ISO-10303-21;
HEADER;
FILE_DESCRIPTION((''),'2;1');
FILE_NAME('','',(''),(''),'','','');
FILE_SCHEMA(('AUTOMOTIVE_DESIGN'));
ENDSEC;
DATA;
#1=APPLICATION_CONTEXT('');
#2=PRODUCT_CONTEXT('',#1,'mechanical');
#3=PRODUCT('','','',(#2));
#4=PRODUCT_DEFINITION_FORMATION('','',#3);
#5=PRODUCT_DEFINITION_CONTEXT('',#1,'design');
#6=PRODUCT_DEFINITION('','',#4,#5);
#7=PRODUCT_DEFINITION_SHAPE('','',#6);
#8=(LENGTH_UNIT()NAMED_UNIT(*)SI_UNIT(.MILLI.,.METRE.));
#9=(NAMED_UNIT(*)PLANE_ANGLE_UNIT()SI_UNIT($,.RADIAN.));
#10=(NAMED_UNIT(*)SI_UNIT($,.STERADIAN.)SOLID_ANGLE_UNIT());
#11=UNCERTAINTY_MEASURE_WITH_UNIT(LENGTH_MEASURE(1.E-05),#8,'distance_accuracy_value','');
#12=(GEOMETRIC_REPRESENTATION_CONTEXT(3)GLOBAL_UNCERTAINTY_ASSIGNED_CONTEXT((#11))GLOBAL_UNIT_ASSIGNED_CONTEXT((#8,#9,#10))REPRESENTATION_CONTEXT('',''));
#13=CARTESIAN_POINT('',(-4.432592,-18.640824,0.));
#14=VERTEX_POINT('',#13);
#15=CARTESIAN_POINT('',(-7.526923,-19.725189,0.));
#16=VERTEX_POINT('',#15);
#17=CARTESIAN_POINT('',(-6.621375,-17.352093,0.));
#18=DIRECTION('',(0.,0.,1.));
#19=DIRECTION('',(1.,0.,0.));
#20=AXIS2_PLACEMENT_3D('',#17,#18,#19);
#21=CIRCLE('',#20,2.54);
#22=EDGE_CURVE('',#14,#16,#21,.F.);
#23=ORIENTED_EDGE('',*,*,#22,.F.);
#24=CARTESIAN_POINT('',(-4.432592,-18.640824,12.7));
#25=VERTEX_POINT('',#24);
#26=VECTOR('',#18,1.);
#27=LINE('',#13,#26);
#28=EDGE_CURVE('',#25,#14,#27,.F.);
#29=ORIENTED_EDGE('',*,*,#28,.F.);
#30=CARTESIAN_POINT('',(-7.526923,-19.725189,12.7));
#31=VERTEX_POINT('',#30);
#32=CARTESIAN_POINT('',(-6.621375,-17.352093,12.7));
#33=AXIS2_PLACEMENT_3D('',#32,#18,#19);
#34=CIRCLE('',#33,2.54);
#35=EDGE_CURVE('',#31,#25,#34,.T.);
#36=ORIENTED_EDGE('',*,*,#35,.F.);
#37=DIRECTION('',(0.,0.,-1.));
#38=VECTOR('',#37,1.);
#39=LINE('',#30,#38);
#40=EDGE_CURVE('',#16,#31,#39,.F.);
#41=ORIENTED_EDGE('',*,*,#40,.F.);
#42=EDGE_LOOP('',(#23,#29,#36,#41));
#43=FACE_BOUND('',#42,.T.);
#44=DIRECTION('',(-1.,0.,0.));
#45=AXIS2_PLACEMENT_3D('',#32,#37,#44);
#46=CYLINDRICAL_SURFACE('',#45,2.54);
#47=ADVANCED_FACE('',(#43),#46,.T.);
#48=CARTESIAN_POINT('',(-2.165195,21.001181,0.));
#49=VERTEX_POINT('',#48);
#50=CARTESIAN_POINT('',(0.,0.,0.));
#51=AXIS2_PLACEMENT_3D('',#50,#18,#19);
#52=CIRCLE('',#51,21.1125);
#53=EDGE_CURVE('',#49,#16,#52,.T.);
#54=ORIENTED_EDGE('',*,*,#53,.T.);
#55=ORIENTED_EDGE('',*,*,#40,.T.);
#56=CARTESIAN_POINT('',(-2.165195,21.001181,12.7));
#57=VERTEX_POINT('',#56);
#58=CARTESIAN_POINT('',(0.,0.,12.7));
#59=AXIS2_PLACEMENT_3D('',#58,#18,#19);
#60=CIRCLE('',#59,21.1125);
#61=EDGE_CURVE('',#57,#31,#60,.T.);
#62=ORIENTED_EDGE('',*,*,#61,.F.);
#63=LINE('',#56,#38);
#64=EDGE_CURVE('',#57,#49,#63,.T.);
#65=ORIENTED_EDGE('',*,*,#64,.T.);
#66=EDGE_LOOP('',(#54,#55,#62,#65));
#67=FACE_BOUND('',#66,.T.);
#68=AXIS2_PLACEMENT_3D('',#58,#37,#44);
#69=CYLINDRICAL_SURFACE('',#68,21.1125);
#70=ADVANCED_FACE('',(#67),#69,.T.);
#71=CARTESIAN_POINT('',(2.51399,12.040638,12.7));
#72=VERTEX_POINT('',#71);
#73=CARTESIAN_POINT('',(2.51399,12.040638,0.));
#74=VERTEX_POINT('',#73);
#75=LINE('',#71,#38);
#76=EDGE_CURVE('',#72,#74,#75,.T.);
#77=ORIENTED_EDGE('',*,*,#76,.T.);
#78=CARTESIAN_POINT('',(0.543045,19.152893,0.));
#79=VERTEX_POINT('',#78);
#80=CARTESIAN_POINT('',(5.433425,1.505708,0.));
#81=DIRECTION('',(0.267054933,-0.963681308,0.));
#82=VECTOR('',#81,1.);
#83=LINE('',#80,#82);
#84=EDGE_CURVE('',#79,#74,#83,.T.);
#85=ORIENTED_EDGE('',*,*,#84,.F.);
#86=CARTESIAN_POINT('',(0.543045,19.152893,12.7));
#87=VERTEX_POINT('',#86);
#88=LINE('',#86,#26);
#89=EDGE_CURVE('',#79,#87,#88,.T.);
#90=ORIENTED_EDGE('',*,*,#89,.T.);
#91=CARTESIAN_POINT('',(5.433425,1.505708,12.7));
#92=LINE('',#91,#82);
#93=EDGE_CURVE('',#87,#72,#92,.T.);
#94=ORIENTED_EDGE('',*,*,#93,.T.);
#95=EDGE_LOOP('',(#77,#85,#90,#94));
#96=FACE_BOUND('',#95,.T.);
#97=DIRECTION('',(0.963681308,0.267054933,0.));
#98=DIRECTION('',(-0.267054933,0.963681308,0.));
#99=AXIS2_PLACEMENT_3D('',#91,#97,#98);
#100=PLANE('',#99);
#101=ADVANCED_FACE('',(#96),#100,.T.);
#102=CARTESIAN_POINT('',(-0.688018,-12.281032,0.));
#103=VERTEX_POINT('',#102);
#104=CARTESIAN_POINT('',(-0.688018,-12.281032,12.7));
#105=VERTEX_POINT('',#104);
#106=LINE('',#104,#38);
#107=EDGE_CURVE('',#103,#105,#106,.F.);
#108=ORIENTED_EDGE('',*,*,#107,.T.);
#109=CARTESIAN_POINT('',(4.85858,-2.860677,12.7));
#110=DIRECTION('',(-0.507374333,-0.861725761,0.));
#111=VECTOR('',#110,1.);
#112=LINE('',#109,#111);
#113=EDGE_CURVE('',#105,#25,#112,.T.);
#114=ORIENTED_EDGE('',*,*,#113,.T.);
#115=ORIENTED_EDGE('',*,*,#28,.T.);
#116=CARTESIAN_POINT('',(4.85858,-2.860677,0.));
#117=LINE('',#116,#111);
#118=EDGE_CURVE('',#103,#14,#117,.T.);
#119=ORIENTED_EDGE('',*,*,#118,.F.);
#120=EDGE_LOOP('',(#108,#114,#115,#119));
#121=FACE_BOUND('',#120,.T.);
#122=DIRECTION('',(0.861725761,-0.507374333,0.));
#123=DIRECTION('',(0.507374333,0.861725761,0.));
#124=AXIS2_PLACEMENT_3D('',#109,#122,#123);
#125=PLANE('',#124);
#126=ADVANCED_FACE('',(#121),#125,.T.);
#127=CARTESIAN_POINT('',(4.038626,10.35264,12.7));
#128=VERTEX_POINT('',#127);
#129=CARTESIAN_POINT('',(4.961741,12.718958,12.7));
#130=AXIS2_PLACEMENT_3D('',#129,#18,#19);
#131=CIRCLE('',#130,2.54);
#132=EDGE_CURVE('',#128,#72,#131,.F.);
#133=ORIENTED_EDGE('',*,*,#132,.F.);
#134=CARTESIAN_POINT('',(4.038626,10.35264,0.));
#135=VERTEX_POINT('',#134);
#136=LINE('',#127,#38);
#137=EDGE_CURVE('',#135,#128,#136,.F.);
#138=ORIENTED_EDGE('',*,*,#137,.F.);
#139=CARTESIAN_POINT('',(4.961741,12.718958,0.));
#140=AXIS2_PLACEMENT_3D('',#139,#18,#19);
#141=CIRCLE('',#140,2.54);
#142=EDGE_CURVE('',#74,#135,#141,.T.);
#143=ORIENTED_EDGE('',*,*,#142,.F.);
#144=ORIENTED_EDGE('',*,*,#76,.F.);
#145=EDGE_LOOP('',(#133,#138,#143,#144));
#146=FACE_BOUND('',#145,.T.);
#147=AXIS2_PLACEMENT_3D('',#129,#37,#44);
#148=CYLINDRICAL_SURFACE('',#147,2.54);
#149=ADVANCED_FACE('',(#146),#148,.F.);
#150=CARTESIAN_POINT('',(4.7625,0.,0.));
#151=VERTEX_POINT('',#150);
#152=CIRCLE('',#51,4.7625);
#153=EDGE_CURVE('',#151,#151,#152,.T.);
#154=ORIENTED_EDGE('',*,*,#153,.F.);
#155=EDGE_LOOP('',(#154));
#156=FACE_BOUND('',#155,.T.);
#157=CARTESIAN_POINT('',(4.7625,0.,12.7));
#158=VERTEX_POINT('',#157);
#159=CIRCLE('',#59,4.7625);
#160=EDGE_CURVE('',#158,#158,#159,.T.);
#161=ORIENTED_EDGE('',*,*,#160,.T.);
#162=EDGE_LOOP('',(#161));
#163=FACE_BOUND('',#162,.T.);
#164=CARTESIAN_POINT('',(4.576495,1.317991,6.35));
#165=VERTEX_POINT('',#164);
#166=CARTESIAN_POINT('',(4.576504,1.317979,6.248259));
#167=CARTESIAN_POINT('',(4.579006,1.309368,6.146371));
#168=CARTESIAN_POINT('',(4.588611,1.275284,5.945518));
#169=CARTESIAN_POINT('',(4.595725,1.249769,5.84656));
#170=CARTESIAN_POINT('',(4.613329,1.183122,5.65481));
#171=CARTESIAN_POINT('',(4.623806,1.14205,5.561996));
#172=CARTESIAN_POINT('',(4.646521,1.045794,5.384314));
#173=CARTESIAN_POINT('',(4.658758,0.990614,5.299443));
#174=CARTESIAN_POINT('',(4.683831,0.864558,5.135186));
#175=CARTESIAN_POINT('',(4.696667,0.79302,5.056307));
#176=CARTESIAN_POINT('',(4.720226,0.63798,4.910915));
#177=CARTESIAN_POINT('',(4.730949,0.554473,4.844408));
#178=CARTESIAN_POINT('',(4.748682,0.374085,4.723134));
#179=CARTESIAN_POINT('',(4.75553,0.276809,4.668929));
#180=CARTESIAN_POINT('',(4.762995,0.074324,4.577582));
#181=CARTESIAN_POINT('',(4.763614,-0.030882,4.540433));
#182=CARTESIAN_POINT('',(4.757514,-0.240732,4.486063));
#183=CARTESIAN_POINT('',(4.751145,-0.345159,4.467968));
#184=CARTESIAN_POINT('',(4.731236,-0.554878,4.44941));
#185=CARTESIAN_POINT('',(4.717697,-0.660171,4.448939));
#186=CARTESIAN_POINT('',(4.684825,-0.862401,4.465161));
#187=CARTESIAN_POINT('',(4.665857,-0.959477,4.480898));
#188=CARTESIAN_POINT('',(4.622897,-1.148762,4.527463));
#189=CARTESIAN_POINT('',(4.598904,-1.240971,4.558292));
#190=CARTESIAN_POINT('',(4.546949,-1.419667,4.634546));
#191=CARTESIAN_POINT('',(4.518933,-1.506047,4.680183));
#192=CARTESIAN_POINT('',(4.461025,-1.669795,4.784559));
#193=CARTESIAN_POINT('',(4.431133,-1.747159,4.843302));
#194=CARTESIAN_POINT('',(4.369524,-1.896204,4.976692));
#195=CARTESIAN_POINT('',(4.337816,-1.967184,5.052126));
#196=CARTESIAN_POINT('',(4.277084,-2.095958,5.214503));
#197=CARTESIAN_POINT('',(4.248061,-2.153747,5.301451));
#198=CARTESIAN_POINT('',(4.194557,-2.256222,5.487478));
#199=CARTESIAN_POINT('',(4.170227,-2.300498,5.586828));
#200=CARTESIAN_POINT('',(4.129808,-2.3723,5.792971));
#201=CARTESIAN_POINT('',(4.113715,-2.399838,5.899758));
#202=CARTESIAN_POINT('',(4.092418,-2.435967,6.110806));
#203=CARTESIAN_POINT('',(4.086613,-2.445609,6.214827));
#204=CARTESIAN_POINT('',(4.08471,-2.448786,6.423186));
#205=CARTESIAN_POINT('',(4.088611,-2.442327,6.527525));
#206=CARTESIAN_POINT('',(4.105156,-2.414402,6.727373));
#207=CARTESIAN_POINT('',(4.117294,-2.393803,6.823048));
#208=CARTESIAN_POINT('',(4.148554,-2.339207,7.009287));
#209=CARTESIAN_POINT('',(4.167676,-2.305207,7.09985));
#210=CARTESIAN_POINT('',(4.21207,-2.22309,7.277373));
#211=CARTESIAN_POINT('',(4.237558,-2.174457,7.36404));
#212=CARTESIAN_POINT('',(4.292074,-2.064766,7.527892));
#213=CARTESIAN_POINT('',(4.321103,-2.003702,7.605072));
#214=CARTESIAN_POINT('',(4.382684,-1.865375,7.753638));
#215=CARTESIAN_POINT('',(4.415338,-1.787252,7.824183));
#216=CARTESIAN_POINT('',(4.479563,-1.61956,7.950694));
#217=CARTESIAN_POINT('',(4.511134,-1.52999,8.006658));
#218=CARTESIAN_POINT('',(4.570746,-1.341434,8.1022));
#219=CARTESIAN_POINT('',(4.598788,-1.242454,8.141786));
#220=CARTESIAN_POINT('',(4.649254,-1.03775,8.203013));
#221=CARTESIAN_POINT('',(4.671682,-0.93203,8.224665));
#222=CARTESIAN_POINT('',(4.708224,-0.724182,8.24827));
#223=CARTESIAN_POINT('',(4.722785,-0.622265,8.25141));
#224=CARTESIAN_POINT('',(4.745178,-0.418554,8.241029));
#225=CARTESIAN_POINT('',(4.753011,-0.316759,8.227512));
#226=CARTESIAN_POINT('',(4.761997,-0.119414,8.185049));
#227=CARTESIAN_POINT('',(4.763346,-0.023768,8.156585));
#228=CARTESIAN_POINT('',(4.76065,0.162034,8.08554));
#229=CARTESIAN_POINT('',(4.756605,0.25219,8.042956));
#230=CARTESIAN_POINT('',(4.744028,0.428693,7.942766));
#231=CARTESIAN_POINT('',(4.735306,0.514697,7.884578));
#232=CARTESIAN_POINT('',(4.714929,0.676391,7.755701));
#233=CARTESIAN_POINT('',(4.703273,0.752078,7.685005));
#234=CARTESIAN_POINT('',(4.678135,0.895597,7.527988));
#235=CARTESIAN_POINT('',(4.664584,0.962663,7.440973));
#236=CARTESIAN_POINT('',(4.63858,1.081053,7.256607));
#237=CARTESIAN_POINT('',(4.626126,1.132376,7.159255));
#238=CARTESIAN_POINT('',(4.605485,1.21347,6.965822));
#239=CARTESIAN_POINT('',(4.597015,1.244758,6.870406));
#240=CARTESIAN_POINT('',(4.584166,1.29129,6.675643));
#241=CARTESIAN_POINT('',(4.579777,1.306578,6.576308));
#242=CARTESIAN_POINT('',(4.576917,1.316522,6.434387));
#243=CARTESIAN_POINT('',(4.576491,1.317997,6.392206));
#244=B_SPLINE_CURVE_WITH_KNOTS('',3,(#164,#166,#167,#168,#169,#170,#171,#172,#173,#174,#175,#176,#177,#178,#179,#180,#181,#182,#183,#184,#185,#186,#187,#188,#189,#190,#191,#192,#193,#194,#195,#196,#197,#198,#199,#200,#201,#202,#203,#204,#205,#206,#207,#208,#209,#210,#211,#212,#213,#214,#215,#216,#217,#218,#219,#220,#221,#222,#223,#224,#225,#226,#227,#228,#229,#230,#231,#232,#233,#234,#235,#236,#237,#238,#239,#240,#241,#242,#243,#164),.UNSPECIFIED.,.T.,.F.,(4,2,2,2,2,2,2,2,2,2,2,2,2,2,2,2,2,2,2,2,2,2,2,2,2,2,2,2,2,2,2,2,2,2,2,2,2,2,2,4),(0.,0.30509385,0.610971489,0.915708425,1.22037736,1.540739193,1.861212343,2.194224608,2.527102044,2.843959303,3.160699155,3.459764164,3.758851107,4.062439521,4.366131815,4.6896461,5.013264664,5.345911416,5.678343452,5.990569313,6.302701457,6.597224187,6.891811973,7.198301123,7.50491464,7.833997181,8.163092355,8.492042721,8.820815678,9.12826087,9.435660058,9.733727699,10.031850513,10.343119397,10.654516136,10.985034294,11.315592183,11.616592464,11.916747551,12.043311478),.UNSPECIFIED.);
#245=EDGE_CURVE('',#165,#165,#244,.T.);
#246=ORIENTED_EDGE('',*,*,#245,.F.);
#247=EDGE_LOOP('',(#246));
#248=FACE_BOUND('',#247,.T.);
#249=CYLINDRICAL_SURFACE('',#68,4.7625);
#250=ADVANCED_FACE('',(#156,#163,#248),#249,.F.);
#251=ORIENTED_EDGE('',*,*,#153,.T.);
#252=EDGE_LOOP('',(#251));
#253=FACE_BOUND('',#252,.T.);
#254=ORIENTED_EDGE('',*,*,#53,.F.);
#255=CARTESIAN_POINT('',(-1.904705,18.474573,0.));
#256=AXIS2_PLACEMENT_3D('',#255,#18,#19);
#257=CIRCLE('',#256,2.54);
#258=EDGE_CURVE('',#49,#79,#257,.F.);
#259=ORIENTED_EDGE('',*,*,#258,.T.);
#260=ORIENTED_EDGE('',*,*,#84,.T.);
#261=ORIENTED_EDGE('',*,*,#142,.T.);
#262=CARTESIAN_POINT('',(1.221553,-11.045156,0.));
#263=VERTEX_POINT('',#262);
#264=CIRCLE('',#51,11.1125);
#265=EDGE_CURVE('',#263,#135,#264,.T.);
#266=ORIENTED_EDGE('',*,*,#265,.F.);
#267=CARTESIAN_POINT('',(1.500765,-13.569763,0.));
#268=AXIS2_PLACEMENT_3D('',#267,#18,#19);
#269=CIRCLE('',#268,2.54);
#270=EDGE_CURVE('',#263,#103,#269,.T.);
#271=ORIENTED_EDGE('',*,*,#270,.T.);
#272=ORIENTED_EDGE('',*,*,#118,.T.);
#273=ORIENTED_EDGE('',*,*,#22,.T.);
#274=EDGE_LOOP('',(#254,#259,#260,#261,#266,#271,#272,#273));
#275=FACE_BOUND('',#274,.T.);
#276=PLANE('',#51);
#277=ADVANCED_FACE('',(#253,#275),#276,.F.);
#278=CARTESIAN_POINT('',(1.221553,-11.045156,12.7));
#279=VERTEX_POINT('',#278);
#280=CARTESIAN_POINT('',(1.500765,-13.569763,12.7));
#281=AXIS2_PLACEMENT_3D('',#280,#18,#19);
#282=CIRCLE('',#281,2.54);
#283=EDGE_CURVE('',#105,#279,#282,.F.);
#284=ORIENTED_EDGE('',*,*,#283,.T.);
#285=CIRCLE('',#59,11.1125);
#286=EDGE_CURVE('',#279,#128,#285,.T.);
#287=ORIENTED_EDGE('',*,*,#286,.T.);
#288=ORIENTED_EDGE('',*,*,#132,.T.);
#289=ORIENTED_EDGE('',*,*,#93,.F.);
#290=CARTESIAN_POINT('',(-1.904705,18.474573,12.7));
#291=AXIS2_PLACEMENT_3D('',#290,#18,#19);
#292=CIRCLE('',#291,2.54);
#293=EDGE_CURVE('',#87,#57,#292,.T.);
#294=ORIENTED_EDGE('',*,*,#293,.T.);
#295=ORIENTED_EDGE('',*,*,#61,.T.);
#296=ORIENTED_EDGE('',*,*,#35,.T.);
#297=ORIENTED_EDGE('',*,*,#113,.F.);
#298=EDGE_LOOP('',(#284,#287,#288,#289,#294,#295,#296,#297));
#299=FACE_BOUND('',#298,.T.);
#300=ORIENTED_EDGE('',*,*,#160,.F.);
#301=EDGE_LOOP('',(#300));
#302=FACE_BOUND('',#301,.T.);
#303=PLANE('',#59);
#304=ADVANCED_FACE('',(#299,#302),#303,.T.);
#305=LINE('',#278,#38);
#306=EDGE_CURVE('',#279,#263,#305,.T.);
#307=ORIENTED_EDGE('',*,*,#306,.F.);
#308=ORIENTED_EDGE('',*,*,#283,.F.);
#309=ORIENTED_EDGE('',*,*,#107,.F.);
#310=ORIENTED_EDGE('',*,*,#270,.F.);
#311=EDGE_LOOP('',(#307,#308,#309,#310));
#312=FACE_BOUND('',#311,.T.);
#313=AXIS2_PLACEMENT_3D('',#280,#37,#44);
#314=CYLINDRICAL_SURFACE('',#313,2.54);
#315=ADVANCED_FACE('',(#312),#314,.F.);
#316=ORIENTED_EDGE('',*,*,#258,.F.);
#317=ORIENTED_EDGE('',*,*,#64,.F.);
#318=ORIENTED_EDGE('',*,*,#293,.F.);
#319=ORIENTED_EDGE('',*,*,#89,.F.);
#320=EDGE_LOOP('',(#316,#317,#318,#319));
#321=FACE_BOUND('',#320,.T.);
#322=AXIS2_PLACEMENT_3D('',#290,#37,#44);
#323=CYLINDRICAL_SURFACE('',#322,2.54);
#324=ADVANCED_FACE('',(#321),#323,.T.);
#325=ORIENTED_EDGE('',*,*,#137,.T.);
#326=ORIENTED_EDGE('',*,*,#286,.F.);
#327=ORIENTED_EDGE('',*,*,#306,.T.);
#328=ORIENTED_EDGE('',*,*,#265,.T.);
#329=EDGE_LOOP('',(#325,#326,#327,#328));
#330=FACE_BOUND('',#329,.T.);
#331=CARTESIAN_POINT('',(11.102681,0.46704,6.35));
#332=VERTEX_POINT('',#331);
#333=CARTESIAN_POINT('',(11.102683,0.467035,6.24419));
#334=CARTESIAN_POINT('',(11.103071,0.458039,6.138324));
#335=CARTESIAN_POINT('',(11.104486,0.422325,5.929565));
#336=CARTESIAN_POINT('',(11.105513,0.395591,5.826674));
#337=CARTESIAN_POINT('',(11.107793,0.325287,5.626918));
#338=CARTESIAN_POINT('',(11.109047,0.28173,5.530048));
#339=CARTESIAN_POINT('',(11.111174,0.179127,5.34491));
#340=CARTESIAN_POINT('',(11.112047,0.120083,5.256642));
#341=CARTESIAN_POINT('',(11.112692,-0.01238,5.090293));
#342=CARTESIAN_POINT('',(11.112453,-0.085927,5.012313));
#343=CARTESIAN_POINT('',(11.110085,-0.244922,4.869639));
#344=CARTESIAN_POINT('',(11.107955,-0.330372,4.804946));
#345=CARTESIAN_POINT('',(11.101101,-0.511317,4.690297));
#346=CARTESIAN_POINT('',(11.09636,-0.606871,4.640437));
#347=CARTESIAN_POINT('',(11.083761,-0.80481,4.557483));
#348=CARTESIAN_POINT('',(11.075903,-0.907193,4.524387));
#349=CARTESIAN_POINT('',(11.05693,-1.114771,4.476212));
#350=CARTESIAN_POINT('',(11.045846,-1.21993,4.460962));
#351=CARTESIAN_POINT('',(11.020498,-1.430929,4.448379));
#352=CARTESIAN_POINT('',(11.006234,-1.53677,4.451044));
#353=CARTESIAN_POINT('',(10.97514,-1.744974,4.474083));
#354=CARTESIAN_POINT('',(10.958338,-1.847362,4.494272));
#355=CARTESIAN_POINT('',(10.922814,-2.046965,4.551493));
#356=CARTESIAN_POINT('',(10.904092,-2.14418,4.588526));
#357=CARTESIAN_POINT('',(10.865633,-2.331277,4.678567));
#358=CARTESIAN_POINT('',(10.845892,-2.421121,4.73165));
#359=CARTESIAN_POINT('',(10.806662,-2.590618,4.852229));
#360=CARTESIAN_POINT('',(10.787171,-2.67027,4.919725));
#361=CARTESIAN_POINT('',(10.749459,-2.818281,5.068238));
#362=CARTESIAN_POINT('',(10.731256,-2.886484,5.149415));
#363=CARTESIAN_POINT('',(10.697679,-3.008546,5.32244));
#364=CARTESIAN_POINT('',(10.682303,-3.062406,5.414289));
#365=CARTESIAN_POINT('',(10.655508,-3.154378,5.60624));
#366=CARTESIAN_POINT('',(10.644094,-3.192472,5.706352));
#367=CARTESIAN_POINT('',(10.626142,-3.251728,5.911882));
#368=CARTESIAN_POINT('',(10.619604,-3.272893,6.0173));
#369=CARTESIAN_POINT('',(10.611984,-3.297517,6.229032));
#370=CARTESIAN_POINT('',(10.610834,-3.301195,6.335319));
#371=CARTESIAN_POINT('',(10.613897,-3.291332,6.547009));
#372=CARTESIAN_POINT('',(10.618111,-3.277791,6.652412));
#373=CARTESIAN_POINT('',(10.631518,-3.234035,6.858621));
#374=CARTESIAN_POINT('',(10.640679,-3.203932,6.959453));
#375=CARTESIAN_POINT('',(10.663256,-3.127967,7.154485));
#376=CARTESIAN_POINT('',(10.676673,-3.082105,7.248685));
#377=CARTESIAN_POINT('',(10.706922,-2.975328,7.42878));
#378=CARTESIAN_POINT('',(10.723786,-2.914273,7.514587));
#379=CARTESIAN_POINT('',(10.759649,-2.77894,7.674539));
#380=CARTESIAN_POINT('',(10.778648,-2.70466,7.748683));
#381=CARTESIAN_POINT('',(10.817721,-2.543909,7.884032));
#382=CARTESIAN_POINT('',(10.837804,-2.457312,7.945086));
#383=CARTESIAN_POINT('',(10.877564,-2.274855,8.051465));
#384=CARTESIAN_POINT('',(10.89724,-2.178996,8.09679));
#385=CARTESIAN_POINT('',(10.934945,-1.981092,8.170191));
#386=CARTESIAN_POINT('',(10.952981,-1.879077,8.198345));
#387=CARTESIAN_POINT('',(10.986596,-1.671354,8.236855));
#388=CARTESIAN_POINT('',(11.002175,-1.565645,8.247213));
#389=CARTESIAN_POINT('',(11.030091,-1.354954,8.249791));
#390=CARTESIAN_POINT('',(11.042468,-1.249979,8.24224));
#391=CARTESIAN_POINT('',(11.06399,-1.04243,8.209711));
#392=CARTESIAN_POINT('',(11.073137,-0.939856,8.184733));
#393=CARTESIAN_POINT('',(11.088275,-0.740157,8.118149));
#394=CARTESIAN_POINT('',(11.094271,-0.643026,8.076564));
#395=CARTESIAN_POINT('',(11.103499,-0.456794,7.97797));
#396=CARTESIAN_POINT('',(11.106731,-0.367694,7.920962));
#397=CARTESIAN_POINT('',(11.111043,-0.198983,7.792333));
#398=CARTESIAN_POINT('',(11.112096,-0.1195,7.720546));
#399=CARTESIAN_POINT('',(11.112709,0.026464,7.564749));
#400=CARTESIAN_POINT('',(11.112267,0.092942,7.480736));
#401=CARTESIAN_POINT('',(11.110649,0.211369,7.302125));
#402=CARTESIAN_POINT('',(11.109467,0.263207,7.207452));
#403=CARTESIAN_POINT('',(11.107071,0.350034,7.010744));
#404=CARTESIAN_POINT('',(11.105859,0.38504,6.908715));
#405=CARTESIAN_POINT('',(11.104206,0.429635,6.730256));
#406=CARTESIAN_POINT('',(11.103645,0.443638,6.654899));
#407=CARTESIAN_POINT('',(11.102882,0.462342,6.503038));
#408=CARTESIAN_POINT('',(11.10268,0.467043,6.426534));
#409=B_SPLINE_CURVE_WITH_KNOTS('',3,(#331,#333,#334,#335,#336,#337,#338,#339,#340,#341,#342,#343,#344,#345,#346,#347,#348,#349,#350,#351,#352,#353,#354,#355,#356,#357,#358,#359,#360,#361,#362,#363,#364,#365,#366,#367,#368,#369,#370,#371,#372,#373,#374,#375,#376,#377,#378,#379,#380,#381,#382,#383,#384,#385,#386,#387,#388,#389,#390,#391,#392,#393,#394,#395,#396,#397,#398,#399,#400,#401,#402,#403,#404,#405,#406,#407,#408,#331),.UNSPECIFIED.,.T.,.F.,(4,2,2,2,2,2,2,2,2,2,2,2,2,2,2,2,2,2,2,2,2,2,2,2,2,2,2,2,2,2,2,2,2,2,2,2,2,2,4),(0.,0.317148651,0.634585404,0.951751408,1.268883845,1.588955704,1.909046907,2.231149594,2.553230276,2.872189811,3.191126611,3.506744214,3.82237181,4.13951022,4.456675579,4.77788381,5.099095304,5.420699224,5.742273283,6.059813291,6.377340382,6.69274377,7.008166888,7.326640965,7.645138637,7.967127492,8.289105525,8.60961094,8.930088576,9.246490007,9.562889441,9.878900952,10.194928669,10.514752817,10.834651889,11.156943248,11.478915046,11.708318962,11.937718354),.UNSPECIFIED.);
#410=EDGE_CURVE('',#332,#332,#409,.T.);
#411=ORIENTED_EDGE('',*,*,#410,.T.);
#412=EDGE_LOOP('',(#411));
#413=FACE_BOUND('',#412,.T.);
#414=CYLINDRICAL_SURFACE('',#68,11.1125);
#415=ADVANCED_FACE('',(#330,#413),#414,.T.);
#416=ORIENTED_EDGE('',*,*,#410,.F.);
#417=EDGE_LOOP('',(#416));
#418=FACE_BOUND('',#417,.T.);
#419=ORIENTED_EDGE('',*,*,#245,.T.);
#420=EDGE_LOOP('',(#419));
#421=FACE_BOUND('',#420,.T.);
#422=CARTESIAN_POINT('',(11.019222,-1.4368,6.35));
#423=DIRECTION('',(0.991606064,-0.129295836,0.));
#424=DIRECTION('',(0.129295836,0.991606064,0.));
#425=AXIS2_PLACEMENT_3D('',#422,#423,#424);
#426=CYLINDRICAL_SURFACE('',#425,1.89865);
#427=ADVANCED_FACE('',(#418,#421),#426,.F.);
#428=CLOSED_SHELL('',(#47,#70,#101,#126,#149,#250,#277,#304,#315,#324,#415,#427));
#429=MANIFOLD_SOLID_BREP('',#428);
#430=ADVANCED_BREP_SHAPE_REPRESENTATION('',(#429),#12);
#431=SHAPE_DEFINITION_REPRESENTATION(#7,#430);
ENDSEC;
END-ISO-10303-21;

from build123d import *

# Parameters (mm, degrees)
SKETCH1_R                   = 4.7625
BOSS_EXTRUDE1_DEPTH         = 12.7
FILLET1_R                   = 2.54
F_10_24_TAPPED_HOLE1_REACH  = 41.709
F_10_24_TAPPED_HOLE1_BORE_R = 1.89865


with BuildPart() as part:
    # Sketch1 → Boss-Extrude1 (new body)
    with BuildSketch(Plane.XY):
        with BuildLine():
            Line((-5.46431709, -20.393109008), (0, -11.1125))
            ThreePointArc((0, -11.1125), (11.017431022, -1.450472311), (2.876126639, 10.733850745))
            Line((2.876126639, 10.733850745), (0, 21.1125))
            ThreePointArc((0, 21.1125), (-20.931879636, 2.755734233), (-5.46431709, -20.393109008))
        make_face()
        Circle(SKETCH1_R, mode=Mode.SUBTRACT)
    extrude(amount=BOSS_EXTRUDE1_DEPTH)

    # Fillet1
    fillet1_edges = [part.edges().sort_by_distance(p)[0] for p in [
        (2.876126639, 10.733850745, 6.35),
        (0, -11.1125, 6.35),
        (-5.46431709, -20.393109008, 6.35),
        (0, 21.1125, 6.35),
    ]]
    fillet(fillet1_edges, radius=FILLET1_R)

    # #10-24 Tapped Hole1 bore (on position points) → #10-24 Tapped Hole1 (cut, up to next)
    with BuildSketch(Plane(origin=(11.019222387, -1.436799975, 6.35), x_dir=(0.129295835761, 0.99160606435, 0), z_dir=(0.99160606435, -0.129295835761, 0)), mode=Mode.PRIVATE) as f_10_24_tapped_hole1_sk1:
        with Locations((1e-09, 0)):
            Circle(F_10_24_TAPPED_HOLE1_BORE_R)
    f_10_24_tapped_hole1_tool1 = extrude(f_10_24_tapped_hole1_sk1.sketch, amount=-F_10_24_TAPPED_HOLE1_REACH, mode=Mode.PRIVATE) & part.part
    add(f_10_24_tapped_hole1_tool1.solids().sort_by_distance((11.019222, -1.4368, 6.35))[0], mode=Mode.SUBTRACT)


solid = part.part
